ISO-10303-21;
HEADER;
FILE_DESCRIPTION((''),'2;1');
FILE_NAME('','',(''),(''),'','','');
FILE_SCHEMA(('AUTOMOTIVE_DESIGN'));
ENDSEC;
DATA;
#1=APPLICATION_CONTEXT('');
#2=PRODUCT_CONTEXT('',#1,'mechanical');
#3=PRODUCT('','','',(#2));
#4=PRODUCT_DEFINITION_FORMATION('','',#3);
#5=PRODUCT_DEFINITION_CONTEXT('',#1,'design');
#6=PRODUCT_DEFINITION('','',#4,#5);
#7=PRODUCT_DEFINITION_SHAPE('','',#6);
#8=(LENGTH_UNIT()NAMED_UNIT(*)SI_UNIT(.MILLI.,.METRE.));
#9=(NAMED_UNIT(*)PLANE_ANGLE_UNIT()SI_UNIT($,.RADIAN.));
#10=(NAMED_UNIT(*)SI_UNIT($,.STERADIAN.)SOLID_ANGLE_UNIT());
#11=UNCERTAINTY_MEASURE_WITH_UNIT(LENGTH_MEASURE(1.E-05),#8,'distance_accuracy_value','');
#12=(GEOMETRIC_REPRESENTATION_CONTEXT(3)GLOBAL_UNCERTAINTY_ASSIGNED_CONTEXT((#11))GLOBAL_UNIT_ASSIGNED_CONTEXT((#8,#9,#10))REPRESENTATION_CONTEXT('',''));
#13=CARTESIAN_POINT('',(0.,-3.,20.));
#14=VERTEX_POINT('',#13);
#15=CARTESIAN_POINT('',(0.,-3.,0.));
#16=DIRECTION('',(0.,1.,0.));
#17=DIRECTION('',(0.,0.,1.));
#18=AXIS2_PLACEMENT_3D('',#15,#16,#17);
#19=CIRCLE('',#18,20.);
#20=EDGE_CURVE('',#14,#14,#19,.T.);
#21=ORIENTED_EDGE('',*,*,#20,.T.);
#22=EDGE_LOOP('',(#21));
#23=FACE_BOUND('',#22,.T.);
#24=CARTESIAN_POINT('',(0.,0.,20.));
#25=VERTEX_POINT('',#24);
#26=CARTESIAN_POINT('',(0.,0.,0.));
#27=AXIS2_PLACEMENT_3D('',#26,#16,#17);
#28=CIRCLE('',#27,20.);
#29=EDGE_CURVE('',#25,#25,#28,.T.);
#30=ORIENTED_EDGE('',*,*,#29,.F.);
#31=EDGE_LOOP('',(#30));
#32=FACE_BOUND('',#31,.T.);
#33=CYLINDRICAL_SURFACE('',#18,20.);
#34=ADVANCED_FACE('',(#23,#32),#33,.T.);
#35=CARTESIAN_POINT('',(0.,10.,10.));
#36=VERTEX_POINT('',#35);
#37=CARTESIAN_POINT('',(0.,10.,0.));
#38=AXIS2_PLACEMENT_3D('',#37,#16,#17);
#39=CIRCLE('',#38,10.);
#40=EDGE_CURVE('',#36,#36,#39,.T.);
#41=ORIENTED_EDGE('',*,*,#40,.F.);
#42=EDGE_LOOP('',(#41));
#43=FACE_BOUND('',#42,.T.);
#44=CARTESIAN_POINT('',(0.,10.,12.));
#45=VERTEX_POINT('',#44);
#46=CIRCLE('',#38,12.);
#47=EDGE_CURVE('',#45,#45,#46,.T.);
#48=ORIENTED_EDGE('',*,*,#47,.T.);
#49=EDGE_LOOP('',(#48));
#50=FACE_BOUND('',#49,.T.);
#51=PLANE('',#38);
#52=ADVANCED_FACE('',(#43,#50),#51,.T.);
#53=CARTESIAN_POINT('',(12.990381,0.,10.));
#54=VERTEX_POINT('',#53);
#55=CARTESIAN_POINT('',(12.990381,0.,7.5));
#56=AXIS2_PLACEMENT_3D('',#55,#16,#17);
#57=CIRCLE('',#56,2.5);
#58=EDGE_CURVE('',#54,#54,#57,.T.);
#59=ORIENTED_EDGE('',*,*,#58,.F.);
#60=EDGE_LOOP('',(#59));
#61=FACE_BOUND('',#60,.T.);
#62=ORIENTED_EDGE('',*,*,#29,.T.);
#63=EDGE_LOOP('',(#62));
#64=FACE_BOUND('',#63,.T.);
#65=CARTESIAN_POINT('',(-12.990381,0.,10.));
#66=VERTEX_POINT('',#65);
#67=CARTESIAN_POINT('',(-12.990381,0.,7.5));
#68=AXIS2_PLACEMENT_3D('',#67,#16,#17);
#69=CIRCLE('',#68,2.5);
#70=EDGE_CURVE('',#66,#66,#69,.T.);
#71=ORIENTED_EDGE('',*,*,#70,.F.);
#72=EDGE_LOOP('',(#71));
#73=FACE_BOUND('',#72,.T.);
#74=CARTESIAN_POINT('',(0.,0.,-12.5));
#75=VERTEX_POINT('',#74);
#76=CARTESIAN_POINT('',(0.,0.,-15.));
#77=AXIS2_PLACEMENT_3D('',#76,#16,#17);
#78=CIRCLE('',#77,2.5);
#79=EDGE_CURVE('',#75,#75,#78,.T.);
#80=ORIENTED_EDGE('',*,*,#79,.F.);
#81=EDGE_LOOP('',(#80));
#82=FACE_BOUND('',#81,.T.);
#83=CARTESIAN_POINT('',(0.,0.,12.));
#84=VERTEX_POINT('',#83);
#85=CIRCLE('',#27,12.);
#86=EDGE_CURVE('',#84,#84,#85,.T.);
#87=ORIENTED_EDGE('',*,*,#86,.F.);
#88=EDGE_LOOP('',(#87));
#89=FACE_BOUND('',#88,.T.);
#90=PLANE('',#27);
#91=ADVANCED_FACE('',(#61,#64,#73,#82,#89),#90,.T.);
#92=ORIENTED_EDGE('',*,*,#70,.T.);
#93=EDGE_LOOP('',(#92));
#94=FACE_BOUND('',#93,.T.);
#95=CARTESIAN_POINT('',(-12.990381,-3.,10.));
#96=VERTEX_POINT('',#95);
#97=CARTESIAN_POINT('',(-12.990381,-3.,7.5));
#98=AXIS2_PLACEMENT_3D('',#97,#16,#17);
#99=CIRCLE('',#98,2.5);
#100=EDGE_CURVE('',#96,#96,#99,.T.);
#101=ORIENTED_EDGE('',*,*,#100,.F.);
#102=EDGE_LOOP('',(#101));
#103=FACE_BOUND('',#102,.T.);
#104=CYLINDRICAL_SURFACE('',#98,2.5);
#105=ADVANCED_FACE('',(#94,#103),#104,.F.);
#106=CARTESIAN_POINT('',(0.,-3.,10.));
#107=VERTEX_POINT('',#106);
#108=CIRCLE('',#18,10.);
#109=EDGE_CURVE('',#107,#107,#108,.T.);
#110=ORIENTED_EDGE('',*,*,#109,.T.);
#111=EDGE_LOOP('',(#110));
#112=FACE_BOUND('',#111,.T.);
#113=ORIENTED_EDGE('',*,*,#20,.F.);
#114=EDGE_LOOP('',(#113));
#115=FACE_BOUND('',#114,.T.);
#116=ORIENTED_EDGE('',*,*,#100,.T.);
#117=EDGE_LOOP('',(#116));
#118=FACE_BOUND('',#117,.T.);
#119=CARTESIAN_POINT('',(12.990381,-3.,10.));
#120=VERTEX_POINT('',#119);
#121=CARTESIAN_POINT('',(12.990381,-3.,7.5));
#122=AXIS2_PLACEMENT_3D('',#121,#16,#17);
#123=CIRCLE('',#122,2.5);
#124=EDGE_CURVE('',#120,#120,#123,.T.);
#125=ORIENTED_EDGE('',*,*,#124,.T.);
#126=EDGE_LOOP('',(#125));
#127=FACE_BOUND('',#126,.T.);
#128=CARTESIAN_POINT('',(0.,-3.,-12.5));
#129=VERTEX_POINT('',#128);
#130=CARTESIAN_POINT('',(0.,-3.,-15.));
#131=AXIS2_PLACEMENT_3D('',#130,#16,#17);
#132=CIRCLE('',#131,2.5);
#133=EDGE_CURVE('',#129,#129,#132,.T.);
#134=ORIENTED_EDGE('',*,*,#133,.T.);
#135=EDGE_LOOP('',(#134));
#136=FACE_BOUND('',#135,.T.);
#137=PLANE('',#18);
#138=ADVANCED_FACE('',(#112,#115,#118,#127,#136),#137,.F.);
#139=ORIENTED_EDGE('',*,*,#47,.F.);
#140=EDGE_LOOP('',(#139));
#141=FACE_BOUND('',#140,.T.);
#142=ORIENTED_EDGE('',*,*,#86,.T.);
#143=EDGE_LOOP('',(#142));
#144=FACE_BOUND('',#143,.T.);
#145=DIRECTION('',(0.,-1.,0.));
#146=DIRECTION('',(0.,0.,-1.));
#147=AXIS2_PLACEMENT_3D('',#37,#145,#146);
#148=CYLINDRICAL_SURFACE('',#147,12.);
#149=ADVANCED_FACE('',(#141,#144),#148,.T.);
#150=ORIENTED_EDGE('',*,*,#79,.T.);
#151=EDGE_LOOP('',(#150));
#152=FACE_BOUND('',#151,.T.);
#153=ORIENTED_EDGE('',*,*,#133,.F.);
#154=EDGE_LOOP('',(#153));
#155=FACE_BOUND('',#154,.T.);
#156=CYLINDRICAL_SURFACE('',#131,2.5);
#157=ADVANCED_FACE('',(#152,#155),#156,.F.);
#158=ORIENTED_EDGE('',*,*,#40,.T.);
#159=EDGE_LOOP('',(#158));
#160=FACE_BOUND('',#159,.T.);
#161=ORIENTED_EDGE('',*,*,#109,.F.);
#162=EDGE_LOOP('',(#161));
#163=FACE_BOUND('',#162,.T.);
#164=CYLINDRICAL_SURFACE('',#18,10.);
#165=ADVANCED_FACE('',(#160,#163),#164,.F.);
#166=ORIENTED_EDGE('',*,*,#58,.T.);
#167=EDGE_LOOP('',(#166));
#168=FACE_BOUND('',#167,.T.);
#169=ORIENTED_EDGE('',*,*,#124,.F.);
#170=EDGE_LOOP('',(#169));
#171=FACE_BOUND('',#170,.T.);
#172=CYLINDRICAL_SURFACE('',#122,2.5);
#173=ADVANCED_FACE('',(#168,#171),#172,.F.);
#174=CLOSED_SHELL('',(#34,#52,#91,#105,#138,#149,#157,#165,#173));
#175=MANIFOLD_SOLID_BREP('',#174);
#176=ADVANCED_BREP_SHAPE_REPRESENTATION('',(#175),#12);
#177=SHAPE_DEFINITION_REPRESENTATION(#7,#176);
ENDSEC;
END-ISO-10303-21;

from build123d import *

# Parameters (mm, degrees)
SKETCH1_R           = 20
SKETCH1_R_2         = 2.5
SKETCH1_R_3         = 10
BOSS_EXTRUDE1_DEPTH = 3
BOSS_EXTRUDE2_START = 10
SKETCH1_3_R         = 12
SKETCH1_3_R_2       = 10
BOSS_EXTRUDE2_DEPTH = 10


with BuildPart() as part:
    # Sketch1 → Boss-Extrude1 (new body)
    with BuildSketch(Plane(origin=(0, 0, 0), x_dir=(1, 0, 0), z_dir=(0, 1, 0))):
        Circle(SKETCH1_R)
        with Locations((-12.990381057, -7.5)):
            Circle(SKETCH1_R_2, mode=Mode.SUBTRACT)
        with Locations((12.990381057, -7.5)):
            Circle(SKETCH1_R_2, mode=Mode.SUBTRACT)
        with Locations((0, 15)):
            Circle(SKETCH1_R_2, mode=Mode.SUBTRACT)
        Circle(SKETCH1_R_3, mode=Mode.SUBTRACT)
    extrude(amount=-BOSS_EXTRUDE1_DEPTH)

    # Sketch1<3> → Boss-Extrude2 (add)
    with BuildSketch(Plane(origin=(0, 0, 0), x_dir=(1, 0, 0), z_dir=(0, 1, 0)).offset(BOSS_EXTRUDE2_START)):
        Circle(SKETCH1_3_R)
        Circle(SKETCH1_3_R_2, mode=Mode.SUBTRACT)
    extrude(amount=-BOSS_EXTRUDE2_DEPTH)


solid = part.part
